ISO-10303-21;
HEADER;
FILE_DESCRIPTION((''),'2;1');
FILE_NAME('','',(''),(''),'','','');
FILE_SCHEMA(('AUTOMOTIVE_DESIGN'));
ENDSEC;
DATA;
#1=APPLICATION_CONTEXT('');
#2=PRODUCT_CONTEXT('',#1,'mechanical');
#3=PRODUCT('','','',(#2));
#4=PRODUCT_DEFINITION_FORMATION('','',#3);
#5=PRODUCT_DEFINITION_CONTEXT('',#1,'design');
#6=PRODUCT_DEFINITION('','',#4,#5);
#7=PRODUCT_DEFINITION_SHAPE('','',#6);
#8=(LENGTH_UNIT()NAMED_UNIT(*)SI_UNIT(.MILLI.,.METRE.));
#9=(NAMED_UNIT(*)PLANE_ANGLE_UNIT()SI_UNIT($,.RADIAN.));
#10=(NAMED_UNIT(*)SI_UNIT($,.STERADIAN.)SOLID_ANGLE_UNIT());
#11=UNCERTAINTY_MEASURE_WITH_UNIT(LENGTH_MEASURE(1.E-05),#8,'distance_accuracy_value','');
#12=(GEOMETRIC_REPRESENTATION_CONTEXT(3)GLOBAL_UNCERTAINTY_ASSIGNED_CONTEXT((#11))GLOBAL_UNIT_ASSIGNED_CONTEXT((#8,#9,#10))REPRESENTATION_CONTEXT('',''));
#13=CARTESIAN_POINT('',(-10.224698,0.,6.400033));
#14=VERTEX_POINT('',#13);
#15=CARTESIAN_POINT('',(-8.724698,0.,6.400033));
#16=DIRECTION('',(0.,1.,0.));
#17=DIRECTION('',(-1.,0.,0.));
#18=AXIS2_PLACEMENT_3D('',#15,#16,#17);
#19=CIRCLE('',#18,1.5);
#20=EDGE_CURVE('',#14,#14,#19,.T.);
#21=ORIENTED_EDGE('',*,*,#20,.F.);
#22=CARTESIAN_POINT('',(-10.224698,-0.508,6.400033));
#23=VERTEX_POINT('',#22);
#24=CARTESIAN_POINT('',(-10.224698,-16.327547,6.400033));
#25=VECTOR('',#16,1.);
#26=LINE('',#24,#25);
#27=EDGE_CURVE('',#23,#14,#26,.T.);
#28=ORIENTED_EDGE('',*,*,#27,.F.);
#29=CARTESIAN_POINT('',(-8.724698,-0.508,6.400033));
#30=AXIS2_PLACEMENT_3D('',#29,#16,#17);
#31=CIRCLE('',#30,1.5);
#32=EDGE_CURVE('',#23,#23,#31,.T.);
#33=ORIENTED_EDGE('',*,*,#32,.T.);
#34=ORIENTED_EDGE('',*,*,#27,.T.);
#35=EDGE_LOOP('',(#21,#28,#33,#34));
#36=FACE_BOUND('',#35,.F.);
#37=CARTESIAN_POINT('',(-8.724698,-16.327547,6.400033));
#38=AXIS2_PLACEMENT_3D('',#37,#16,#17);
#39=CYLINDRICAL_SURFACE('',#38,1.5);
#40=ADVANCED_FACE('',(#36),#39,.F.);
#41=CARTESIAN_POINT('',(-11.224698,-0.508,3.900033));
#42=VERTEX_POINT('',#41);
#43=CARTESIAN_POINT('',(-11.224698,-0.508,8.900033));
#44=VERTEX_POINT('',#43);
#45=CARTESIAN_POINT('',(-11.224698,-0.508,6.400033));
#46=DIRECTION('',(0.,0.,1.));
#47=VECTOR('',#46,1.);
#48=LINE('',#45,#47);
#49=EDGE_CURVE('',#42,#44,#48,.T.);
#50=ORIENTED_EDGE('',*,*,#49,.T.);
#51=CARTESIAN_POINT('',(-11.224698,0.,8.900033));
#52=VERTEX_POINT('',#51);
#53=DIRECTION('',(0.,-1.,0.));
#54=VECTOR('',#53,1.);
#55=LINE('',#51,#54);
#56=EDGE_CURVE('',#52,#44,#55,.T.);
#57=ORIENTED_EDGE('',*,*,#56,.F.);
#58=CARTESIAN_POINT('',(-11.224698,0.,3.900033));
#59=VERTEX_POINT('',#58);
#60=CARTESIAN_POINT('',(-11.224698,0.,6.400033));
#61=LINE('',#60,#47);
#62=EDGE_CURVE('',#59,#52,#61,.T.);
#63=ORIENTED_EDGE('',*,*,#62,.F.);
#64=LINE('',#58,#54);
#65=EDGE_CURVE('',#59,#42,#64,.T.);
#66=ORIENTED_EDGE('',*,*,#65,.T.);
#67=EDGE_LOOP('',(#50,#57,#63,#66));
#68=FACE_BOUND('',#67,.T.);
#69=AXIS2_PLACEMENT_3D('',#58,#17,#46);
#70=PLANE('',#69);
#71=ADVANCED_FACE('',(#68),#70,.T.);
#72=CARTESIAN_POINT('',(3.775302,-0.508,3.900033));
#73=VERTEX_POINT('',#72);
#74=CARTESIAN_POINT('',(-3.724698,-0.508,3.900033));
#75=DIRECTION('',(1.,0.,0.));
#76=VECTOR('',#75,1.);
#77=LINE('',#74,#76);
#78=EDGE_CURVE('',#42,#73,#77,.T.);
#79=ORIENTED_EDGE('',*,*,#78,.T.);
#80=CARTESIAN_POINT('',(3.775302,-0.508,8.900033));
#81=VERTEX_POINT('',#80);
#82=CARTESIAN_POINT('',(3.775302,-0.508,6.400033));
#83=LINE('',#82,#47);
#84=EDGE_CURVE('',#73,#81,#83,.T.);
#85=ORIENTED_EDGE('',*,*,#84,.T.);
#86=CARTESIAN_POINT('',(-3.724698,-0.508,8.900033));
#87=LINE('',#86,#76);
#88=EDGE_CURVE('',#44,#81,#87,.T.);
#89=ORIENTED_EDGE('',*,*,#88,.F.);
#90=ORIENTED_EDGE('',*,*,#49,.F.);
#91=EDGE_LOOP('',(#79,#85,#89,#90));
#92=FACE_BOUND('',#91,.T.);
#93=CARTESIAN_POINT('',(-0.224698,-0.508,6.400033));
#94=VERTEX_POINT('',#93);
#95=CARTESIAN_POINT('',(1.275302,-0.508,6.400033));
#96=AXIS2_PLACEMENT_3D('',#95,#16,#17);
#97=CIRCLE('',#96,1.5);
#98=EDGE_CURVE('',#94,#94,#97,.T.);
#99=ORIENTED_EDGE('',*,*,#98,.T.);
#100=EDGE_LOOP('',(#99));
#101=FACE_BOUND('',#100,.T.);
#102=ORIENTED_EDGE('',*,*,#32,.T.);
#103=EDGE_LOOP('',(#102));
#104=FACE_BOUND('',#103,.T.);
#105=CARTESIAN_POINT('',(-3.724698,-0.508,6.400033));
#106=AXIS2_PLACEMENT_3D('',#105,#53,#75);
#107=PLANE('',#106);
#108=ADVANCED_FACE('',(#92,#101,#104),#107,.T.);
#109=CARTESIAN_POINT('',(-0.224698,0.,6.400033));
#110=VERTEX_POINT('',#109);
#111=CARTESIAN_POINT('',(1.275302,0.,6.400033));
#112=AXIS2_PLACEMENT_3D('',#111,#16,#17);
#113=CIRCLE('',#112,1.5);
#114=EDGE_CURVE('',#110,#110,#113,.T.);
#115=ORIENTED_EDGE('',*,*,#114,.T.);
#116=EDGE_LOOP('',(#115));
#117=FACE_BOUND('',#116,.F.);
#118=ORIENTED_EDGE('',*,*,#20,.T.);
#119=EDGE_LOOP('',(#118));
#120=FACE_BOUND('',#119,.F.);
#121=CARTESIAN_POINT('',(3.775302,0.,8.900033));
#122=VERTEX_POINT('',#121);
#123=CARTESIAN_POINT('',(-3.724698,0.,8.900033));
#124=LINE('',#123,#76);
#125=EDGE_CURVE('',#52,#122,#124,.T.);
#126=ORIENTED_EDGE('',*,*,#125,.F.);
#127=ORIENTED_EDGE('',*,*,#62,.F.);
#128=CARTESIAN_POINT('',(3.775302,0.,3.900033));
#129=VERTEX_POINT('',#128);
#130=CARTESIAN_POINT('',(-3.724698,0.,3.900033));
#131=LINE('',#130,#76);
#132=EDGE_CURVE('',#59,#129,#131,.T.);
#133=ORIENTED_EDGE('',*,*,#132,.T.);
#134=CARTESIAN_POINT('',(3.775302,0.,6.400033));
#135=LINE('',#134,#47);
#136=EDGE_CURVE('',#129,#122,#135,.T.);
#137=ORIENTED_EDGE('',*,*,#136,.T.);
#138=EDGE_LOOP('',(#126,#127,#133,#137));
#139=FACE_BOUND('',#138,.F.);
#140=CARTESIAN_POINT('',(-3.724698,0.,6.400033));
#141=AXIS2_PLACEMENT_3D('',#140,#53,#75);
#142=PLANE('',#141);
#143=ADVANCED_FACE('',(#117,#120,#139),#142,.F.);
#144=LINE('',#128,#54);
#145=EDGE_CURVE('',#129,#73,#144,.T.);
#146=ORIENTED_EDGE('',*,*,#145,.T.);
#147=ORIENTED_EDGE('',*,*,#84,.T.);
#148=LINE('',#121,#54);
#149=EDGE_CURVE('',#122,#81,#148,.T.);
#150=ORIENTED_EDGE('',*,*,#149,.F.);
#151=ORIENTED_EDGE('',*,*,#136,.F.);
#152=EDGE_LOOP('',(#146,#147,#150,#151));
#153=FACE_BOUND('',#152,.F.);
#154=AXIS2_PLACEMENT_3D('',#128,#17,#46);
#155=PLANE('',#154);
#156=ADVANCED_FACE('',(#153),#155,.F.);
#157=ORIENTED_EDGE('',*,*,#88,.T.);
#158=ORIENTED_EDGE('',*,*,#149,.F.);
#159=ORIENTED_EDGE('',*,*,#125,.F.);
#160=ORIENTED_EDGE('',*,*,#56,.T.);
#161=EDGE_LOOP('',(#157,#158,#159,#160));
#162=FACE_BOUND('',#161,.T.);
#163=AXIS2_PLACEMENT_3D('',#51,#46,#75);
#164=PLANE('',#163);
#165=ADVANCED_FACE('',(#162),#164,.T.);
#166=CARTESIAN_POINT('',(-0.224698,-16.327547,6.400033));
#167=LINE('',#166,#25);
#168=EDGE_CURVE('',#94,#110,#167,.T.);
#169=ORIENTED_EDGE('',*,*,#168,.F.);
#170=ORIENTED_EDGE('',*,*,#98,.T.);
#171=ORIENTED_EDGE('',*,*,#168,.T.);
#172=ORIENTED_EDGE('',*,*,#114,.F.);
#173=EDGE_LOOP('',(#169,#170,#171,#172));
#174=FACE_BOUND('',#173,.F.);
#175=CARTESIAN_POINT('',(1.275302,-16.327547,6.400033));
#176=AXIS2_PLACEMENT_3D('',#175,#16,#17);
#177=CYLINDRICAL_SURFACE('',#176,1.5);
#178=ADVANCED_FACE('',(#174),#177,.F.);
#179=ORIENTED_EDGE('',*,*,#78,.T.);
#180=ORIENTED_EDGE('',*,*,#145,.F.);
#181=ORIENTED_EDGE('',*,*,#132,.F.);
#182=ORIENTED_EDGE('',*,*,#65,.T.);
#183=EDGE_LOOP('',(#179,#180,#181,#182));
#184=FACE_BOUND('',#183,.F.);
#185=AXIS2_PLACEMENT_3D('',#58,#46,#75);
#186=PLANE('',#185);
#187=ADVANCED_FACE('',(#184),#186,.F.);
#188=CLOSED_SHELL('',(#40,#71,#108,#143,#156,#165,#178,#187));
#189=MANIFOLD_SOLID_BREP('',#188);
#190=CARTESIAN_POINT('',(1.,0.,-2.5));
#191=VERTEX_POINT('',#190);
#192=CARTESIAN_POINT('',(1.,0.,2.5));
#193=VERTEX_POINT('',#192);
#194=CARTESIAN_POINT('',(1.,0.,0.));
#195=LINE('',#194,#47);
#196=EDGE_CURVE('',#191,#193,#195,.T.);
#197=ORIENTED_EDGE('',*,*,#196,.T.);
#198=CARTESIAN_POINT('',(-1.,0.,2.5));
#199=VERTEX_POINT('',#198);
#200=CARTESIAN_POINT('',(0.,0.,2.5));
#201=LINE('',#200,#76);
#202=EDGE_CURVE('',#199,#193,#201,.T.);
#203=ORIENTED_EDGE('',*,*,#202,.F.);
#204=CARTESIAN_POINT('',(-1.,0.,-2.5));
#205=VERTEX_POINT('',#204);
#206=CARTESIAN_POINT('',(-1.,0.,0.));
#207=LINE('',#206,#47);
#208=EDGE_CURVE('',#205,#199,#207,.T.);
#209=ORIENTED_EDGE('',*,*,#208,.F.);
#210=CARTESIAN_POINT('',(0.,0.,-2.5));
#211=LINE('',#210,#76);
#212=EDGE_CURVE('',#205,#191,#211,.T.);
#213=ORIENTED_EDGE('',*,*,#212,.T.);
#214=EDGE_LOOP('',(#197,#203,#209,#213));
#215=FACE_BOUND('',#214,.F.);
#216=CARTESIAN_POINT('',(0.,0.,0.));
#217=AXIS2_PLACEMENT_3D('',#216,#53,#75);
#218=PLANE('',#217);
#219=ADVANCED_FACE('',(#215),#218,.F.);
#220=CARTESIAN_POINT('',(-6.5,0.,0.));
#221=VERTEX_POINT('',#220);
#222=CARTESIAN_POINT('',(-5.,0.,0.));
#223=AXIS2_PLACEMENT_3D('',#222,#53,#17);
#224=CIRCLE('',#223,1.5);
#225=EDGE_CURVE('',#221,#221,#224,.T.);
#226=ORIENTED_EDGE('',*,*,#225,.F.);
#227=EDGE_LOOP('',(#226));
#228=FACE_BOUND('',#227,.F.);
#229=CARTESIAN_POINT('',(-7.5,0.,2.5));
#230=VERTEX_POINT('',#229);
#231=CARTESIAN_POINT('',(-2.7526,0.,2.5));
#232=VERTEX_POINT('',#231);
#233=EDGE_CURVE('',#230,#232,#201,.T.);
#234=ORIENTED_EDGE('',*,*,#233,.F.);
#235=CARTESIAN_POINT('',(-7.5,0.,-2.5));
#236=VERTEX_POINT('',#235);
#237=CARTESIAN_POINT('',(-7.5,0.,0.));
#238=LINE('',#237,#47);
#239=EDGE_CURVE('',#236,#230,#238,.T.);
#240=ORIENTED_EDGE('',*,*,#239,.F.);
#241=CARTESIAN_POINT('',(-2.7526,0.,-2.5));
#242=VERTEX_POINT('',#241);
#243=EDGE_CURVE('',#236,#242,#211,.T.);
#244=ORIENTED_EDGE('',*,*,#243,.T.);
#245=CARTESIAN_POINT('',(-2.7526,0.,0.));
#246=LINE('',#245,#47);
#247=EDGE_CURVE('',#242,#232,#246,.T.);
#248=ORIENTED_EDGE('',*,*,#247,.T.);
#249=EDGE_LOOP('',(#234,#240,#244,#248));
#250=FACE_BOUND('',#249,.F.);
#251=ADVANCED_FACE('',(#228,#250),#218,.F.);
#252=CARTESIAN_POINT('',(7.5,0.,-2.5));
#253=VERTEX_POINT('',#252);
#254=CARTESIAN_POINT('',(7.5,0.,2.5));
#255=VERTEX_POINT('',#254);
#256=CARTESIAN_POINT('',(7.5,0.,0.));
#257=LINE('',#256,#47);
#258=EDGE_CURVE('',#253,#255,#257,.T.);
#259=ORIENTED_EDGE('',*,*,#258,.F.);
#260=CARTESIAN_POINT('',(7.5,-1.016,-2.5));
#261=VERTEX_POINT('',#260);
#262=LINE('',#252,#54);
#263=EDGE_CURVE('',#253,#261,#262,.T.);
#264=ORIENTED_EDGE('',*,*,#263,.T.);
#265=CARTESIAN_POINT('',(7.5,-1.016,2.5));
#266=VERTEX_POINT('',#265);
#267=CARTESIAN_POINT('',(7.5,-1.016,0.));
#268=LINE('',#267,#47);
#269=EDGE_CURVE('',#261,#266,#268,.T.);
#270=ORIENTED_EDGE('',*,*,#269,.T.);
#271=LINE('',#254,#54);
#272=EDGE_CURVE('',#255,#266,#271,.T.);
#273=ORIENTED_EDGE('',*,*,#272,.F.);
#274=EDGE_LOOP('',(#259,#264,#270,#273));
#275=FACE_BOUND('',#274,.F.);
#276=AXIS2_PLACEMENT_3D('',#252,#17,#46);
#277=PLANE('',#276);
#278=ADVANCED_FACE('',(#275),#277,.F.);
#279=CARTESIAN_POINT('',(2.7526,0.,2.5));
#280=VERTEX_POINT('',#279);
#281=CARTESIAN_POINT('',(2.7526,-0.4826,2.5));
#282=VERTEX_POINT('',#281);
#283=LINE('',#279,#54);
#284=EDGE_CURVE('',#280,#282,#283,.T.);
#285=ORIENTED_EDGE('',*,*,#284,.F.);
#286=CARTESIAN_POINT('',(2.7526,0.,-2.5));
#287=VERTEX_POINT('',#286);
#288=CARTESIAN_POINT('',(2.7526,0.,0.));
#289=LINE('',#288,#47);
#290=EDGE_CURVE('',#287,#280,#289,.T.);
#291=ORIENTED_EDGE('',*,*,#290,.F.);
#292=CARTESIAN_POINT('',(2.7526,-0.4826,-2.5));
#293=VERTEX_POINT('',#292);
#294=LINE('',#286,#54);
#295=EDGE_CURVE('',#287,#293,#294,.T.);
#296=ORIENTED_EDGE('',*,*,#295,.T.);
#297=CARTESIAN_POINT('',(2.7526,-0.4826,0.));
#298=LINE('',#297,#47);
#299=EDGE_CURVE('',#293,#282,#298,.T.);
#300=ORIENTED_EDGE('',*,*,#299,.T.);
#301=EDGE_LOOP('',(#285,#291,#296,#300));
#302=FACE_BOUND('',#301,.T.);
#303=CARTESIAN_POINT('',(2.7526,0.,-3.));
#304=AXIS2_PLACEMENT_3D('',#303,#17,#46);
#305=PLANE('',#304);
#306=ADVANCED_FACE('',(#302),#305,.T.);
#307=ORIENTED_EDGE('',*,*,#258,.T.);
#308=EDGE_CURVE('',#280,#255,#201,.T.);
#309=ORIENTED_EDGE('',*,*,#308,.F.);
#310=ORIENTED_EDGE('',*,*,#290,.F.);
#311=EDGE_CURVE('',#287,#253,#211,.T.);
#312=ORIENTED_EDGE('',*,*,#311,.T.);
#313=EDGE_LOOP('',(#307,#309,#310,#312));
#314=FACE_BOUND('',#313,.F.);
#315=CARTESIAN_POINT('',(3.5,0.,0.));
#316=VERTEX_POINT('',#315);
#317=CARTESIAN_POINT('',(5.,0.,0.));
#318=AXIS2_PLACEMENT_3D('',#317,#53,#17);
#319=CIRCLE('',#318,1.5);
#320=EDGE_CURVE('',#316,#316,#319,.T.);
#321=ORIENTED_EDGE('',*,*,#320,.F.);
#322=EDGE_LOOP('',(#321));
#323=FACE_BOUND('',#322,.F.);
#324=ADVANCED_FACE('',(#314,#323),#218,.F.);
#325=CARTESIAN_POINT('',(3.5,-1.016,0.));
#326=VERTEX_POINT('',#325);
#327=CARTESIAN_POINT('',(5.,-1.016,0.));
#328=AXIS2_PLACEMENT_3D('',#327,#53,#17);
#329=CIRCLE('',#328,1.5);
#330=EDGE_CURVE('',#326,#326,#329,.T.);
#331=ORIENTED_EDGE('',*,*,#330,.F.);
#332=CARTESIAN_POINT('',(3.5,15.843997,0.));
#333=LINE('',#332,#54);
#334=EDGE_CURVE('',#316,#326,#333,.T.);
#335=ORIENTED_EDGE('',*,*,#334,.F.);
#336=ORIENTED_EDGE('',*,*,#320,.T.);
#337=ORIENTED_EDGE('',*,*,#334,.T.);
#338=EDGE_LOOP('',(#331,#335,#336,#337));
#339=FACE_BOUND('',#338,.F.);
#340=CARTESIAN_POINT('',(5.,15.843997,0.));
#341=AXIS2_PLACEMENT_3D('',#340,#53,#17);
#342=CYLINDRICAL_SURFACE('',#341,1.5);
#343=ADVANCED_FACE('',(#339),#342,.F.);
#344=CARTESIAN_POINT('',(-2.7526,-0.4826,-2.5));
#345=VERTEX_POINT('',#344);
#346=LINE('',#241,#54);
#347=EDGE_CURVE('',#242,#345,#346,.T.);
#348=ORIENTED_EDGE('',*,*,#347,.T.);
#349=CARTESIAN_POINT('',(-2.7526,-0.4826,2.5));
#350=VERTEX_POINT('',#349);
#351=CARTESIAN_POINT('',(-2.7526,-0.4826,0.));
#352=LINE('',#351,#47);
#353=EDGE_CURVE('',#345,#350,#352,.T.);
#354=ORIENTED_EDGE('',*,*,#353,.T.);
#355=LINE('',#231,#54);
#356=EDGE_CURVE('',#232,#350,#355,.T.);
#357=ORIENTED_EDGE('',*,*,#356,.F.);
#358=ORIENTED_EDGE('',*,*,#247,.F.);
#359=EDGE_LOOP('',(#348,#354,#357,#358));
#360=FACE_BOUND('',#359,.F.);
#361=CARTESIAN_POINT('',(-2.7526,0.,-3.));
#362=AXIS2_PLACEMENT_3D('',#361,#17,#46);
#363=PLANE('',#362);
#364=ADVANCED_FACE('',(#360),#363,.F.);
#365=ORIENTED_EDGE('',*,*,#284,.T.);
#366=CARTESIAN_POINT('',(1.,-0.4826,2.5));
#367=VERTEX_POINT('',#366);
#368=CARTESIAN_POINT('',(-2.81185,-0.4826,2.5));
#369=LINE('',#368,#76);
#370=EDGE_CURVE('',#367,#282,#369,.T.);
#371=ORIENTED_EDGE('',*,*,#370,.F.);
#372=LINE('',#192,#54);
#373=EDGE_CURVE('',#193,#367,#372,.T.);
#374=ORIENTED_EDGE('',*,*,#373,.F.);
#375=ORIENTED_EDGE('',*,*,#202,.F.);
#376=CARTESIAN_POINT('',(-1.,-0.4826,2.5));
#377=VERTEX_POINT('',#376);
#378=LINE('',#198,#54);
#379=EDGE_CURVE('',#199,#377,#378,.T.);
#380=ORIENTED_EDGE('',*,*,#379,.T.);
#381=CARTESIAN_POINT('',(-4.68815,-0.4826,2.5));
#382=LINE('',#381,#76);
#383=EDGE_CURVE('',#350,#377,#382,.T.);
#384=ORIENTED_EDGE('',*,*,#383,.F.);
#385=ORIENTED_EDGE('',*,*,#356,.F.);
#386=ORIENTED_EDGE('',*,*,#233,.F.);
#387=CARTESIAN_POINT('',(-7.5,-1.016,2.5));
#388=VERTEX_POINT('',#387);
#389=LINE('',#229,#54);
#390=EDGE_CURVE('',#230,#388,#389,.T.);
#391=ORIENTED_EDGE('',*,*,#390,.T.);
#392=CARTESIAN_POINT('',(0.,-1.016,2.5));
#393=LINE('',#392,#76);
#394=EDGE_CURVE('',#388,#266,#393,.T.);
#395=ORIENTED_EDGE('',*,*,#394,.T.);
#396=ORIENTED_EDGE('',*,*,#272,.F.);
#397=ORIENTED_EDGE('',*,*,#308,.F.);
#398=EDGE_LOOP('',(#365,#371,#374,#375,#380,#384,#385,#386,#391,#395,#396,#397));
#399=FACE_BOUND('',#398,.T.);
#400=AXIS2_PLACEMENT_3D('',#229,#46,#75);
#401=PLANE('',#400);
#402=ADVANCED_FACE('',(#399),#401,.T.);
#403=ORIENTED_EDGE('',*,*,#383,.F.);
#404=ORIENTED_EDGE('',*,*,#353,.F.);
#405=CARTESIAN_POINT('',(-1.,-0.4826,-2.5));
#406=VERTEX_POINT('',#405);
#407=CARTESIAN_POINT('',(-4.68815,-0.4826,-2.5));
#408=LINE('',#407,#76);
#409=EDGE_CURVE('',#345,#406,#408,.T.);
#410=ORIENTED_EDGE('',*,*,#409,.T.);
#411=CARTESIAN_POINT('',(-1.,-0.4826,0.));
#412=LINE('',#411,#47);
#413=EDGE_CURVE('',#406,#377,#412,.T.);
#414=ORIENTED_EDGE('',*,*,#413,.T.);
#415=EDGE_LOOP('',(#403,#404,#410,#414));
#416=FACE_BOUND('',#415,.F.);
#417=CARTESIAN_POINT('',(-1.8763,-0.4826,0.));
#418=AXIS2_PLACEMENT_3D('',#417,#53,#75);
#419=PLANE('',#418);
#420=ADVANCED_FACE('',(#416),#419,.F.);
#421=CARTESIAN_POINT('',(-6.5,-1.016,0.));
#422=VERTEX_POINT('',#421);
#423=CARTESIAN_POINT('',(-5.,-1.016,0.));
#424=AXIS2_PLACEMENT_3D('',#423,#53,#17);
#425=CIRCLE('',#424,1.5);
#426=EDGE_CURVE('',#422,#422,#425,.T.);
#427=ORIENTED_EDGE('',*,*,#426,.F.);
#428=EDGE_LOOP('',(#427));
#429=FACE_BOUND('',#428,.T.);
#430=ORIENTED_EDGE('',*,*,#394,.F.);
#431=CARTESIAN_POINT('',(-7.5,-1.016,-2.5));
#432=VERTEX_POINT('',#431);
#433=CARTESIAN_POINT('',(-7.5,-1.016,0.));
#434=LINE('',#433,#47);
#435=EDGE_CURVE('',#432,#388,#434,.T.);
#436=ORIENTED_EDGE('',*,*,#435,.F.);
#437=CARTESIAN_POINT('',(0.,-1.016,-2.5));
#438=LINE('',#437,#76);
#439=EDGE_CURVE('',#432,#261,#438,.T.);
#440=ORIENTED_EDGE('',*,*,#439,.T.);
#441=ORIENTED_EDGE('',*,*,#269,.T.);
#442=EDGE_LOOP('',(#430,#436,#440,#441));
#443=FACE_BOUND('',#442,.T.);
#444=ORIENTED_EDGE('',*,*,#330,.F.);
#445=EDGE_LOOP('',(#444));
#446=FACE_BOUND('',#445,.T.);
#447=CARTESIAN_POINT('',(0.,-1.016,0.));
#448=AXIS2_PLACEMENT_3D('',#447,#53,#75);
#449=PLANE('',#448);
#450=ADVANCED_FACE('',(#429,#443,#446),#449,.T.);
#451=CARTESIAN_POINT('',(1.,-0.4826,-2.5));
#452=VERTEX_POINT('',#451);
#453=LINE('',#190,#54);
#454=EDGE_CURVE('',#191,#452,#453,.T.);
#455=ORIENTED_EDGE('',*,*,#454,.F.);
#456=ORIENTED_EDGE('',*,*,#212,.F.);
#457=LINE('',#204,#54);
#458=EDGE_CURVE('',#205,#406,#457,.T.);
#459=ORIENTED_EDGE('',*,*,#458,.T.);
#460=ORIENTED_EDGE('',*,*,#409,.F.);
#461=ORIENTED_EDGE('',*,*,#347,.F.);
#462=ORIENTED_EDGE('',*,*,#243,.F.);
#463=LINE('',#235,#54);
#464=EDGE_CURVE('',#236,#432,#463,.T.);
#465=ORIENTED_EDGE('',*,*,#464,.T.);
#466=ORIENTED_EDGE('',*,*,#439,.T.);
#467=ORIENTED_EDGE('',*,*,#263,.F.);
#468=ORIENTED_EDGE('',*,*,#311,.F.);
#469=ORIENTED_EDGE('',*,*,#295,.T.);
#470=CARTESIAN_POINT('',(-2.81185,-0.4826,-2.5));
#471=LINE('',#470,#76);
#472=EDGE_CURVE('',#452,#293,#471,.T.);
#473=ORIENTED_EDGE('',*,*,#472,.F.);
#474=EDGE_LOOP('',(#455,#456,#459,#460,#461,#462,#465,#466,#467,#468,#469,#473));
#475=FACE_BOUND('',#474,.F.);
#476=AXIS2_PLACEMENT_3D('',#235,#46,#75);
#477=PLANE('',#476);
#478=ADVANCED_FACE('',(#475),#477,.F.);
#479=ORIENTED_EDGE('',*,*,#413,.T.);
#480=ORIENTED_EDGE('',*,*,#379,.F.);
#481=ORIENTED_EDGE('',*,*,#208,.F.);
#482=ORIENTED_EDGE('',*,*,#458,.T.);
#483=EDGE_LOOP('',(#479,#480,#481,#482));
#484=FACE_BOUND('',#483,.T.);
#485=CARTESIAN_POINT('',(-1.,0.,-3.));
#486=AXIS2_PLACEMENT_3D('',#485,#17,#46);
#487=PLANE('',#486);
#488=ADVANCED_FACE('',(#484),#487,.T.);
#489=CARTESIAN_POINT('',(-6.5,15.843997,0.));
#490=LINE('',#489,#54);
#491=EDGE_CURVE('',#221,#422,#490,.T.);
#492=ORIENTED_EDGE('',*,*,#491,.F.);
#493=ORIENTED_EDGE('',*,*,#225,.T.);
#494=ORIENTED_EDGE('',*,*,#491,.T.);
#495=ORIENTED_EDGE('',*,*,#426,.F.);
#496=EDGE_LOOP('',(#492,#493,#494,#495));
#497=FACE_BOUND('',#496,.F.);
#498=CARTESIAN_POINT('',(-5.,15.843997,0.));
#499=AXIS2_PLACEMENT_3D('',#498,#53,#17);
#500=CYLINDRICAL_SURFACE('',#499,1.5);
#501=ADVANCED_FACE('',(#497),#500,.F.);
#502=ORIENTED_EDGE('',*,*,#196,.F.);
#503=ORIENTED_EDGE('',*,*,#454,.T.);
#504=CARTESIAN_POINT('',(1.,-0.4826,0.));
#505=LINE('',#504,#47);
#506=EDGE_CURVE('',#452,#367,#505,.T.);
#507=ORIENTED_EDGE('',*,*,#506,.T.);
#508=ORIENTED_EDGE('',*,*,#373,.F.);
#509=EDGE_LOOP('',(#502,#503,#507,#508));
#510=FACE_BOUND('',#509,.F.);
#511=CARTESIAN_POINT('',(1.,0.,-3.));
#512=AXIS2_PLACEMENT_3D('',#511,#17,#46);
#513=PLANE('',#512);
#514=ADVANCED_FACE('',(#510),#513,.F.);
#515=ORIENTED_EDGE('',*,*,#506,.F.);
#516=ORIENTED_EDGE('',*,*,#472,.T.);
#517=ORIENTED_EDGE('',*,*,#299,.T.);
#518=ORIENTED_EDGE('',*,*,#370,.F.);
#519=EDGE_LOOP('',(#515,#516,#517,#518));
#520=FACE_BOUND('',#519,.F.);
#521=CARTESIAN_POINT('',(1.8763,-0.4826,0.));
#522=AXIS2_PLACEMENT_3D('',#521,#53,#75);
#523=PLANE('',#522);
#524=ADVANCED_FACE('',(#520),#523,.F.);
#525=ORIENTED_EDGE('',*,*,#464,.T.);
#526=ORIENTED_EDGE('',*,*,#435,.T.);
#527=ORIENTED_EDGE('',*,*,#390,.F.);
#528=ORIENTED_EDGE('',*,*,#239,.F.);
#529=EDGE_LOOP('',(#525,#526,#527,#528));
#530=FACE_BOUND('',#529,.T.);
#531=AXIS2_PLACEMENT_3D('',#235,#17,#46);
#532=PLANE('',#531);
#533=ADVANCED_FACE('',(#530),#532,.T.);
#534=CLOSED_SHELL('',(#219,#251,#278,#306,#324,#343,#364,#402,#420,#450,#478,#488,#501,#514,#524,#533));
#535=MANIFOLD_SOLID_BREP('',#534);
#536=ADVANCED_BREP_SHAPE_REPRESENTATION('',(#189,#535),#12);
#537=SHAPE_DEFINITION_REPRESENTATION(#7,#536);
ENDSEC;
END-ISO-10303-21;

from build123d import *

# Parameters (mm, degrees)
F0_W      = 15
F0_H      = 5
F1_DEPTH  = 1.016
F2_W      = 15
F2_H      = 5
F3_DEPTH  = 0.508
F4_W      = 1.7526
F4_H      = 6
F5_DEPTH  = 0.4826
F7_D      = 3
F9_W      = 1.7526
F9_H      = 6
F10_DEPTH = 0.4826
F12_D     = 3


with BuildPart() as f1:
    # F0 (on Front) → F1 (new body)
    with BuildSketch(Plane.XZ):
        Rectangle(F0_W, F0_H)
    extrude(amount=F1_DEPTH)

    # F7 (through all)
    with Locations(Plane(origin=(0, 0, 0), x_dir=(1, 0, 0), z_dir=(0, 1, 0))):
        with Locations((-5, 0), (5, 0)):
            Hole(F7_D / 2)


with BuildPart() as f3:
    # F2 (on Front) → F3 (new body)
    with BuildSketch(Plane.XZ):
        with Locations((-3.724698, 6.400033)):
            Rectangle(F2_W, F2_H)
    extrude(amount=F3_DEPTH)

    # F12 (through all)
    with Locations(Plane.XZ.offset(0.508)):
        with Locations((-8.724698, 6.400033), (1.275302, 6.400033)):
            Hole(F12_D / 2)


with BuildPart() as f5:
    # F4 (on Front) → F5 (new body)
    with BuildSketch(Plane.XZ):
        with Locations((-1.8763, 0)):
            Rectangle(F4_W, F4_H)
    extrude(amount=F5_DEPTH)


with BuildPart() as f1_1:
    add(f1.part)

    # F8: cut F5
    add(f5.part, mode=Mode.SUBTRACT)


with BuildPart() as f10:
    # F9 (on Front) → F10 (new body)
    with BuildSketch(Plane.XZ):
        with Locations((1.8763, 0)):
            Rectangle(F9_W, F9_H)
    extrude(amount=F10_DEPTH)


with BuildPart() as f1_2:
    add(f1_1.part)

    # F13: cut F5, F10
    add(f5.part, mode=Mode.SUBTRACT)
    add(f10.part, mode=Mode.SUBTRACT)


solid = Compound([f3.part, f1_2.part])
